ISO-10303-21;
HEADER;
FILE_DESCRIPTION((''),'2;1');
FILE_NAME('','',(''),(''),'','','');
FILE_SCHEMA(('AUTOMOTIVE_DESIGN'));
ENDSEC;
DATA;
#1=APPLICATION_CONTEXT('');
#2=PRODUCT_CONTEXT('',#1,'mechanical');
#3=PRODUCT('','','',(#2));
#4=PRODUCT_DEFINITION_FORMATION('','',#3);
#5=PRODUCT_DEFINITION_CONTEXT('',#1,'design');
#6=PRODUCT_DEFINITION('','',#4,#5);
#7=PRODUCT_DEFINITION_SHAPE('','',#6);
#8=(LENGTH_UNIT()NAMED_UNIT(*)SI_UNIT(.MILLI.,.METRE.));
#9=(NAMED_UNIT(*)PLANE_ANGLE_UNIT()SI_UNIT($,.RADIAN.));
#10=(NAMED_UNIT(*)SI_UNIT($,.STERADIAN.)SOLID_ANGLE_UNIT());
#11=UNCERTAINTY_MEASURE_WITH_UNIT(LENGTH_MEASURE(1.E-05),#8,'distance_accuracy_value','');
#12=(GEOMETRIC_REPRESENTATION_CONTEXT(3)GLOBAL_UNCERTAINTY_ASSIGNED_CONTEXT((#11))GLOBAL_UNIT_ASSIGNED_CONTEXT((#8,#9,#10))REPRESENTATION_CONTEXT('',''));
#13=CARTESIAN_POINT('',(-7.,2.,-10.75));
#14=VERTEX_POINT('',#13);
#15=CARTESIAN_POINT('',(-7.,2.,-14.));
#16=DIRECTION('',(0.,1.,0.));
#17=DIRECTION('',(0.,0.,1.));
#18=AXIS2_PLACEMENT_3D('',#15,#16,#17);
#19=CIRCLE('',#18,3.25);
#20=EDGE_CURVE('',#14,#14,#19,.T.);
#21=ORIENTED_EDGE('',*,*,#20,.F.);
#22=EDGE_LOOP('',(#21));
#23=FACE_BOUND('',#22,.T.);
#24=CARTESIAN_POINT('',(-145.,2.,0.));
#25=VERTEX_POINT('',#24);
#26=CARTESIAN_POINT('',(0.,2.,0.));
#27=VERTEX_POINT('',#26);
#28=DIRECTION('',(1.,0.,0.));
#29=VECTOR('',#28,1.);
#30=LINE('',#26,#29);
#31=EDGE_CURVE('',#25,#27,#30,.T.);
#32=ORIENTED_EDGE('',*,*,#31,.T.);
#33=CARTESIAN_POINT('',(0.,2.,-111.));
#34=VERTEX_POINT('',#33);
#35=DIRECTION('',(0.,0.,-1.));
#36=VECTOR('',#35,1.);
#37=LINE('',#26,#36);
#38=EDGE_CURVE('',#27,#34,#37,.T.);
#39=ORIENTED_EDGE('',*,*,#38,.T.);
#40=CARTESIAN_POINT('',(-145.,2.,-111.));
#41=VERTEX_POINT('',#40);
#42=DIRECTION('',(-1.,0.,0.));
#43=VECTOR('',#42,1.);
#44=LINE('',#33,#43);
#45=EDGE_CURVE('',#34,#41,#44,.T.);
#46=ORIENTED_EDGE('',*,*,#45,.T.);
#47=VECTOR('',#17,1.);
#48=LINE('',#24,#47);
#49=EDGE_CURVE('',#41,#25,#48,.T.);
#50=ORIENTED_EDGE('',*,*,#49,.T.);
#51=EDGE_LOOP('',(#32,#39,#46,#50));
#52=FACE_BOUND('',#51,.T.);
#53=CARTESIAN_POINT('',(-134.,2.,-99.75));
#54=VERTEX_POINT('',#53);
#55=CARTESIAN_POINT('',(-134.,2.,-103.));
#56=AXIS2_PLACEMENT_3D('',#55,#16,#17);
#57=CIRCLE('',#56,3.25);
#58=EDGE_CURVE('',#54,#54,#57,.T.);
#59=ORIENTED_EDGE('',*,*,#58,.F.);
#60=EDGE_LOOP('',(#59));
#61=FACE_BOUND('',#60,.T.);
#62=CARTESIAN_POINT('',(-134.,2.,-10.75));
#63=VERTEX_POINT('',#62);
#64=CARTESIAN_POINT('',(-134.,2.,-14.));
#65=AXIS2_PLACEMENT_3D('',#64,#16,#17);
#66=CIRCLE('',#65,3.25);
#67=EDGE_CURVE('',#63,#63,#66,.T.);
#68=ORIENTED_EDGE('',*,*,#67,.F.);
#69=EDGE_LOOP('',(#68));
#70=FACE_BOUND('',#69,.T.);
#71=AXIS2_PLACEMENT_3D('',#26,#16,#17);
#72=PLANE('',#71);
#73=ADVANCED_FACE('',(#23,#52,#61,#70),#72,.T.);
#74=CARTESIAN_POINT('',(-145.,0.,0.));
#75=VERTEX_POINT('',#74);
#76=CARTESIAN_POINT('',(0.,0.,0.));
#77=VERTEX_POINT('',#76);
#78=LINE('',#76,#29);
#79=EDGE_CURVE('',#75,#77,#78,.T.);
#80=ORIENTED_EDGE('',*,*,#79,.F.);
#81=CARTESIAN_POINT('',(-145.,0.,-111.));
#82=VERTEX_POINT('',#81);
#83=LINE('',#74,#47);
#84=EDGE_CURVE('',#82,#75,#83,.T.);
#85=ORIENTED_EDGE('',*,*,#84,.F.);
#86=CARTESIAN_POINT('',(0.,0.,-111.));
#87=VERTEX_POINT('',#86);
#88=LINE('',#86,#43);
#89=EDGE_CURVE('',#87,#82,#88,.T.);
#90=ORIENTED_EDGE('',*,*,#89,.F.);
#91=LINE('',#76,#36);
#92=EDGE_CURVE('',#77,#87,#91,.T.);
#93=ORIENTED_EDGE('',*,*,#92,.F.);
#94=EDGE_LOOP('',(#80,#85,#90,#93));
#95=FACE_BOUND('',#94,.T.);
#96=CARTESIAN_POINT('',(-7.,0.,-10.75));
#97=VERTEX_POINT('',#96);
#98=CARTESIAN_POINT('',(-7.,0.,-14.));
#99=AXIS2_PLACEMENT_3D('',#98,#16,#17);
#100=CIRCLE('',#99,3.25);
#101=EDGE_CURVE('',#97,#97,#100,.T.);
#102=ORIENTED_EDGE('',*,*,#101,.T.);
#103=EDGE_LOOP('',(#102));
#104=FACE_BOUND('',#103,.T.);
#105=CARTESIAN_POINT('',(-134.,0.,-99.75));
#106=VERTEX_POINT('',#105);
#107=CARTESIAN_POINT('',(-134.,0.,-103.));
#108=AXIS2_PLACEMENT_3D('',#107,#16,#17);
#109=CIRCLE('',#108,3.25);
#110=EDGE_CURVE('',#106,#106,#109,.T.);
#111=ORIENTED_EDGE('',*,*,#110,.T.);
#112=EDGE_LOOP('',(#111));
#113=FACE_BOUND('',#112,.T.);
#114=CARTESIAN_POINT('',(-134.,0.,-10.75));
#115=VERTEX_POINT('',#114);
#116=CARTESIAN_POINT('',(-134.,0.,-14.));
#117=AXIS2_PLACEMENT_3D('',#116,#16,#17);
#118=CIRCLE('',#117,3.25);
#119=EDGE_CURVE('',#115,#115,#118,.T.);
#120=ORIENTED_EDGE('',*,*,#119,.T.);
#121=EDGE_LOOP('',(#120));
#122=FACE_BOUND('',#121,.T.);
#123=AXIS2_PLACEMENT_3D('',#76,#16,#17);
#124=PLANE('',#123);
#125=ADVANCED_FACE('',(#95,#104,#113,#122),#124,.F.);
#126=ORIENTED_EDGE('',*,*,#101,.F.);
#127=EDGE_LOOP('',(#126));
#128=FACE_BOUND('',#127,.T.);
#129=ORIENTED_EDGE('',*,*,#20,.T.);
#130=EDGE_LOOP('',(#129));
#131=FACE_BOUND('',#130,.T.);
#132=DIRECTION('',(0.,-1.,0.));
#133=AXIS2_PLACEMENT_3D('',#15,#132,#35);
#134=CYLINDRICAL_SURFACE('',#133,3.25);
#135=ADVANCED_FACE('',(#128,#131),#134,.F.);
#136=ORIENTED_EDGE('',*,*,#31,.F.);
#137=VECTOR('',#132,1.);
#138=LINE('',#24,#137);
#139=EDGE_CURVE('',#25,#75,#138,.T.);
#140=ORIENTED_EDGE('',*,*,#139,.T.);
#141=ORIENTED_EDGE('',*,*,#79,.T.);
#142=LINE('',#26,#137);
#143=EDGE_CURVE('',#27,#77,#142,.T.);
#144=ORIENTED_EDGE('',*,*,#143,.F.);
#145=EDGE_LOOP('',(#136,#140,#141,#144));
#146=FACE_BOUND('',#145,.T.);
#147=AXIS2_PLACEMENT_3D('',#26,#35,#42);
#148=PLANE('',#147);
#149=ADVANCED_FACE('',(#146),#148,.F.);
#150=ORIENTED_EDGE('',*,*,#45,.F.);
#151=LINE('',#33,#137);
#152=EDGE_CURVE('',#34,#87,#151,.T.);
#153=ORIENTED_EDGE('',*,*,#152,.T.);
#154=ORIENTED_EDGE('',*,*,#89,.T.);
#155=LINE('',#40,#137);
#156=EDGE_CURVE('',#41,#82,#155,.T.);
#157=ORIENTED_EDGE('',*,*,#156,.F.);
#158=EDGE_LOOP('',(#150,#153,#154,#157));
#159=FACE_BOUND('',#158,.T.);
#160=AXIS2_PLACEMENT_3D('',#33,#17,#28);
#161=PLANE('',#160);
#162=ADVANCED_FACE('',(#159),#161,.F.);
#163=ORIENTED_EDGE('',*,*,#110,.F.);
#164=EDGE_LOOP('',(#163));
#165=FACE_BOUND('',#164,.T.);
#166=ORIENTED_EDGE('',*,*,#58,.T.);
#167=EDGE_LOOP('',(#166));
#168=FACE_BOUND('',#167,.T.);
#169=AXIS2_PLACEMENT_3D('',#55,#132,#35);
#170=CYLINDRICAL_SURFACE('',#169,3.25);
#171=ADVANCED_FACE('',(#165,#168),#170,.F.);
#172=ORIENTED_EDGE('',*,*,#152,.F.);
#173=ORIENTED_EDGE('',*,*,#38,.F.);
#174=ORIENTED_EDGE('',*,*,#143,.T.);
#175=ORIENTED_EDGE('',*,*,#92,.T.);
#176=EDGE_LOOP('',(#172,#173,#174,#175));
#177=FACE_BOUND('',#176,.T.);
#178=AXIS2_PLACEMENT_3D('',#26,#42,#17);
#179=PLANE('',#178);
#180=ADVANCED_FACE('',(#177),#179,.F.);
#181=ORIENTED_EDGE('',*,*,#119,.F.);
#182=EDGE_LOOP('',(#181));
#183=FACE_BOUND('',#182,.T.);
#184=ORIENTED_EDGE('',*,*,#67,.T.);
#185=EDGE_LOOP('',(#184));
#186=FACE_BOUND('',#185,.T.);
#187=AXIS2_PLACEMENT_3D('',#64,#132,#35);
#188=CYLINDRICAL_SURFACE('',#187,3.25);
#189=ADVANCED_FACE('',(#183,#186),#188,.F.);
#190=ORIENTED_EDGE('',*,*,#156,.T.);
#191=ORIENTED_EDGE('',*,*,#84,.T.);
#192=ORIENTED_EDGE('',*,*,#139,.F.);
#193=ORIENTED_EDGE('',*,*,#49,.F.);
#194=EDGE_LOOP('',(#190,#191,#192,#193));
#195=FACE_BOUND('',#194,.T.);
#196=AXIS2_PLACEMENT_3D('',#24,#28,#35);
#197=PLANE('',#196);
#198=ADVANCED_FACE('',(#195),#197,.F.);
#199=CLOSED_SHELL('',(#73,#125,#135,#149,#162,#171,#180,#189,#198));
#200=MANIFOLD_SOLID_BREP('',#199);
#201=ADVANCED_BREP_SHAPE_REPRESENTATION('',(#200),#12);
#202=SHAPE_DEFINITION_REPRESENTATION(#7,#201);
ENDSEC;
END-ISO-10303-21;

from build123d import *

# Parameters (mm, degrees)
SKETCH1_W           = 145
SKETCH1_H           = 111
SKETCH1_R           = 3.25
BOSS_EXTRUDE1_DEPTH = 2


with BuildPart() as part:
    # Sketch1 → Boss-Extrude1 (new body)
    with BuildSketch(Plane(origin=(0, 0, 0), x_dir=(1, 0, 0), z_dir=(0, 1, 0))):
        with Locations((-72.5, 55.5)):
            Rectangle(SKETCH1_W, SKETCH1_H)
        with Locations((-134, 14)):
            Circle(SKETCH1_R, mode=Mode.SUBTRACT)
        with Locations((-7, 14)):
            Circle(SKETCH1_R, mode=Mode.SUBTRACT)
        with Locations((-134, 103)):
            Circle(SKETCH1_R, mode=Mode.SUBTRACT)
    extrude(amount=BOSS_EXTRUDE1_DEPTH)


solid = part.part
